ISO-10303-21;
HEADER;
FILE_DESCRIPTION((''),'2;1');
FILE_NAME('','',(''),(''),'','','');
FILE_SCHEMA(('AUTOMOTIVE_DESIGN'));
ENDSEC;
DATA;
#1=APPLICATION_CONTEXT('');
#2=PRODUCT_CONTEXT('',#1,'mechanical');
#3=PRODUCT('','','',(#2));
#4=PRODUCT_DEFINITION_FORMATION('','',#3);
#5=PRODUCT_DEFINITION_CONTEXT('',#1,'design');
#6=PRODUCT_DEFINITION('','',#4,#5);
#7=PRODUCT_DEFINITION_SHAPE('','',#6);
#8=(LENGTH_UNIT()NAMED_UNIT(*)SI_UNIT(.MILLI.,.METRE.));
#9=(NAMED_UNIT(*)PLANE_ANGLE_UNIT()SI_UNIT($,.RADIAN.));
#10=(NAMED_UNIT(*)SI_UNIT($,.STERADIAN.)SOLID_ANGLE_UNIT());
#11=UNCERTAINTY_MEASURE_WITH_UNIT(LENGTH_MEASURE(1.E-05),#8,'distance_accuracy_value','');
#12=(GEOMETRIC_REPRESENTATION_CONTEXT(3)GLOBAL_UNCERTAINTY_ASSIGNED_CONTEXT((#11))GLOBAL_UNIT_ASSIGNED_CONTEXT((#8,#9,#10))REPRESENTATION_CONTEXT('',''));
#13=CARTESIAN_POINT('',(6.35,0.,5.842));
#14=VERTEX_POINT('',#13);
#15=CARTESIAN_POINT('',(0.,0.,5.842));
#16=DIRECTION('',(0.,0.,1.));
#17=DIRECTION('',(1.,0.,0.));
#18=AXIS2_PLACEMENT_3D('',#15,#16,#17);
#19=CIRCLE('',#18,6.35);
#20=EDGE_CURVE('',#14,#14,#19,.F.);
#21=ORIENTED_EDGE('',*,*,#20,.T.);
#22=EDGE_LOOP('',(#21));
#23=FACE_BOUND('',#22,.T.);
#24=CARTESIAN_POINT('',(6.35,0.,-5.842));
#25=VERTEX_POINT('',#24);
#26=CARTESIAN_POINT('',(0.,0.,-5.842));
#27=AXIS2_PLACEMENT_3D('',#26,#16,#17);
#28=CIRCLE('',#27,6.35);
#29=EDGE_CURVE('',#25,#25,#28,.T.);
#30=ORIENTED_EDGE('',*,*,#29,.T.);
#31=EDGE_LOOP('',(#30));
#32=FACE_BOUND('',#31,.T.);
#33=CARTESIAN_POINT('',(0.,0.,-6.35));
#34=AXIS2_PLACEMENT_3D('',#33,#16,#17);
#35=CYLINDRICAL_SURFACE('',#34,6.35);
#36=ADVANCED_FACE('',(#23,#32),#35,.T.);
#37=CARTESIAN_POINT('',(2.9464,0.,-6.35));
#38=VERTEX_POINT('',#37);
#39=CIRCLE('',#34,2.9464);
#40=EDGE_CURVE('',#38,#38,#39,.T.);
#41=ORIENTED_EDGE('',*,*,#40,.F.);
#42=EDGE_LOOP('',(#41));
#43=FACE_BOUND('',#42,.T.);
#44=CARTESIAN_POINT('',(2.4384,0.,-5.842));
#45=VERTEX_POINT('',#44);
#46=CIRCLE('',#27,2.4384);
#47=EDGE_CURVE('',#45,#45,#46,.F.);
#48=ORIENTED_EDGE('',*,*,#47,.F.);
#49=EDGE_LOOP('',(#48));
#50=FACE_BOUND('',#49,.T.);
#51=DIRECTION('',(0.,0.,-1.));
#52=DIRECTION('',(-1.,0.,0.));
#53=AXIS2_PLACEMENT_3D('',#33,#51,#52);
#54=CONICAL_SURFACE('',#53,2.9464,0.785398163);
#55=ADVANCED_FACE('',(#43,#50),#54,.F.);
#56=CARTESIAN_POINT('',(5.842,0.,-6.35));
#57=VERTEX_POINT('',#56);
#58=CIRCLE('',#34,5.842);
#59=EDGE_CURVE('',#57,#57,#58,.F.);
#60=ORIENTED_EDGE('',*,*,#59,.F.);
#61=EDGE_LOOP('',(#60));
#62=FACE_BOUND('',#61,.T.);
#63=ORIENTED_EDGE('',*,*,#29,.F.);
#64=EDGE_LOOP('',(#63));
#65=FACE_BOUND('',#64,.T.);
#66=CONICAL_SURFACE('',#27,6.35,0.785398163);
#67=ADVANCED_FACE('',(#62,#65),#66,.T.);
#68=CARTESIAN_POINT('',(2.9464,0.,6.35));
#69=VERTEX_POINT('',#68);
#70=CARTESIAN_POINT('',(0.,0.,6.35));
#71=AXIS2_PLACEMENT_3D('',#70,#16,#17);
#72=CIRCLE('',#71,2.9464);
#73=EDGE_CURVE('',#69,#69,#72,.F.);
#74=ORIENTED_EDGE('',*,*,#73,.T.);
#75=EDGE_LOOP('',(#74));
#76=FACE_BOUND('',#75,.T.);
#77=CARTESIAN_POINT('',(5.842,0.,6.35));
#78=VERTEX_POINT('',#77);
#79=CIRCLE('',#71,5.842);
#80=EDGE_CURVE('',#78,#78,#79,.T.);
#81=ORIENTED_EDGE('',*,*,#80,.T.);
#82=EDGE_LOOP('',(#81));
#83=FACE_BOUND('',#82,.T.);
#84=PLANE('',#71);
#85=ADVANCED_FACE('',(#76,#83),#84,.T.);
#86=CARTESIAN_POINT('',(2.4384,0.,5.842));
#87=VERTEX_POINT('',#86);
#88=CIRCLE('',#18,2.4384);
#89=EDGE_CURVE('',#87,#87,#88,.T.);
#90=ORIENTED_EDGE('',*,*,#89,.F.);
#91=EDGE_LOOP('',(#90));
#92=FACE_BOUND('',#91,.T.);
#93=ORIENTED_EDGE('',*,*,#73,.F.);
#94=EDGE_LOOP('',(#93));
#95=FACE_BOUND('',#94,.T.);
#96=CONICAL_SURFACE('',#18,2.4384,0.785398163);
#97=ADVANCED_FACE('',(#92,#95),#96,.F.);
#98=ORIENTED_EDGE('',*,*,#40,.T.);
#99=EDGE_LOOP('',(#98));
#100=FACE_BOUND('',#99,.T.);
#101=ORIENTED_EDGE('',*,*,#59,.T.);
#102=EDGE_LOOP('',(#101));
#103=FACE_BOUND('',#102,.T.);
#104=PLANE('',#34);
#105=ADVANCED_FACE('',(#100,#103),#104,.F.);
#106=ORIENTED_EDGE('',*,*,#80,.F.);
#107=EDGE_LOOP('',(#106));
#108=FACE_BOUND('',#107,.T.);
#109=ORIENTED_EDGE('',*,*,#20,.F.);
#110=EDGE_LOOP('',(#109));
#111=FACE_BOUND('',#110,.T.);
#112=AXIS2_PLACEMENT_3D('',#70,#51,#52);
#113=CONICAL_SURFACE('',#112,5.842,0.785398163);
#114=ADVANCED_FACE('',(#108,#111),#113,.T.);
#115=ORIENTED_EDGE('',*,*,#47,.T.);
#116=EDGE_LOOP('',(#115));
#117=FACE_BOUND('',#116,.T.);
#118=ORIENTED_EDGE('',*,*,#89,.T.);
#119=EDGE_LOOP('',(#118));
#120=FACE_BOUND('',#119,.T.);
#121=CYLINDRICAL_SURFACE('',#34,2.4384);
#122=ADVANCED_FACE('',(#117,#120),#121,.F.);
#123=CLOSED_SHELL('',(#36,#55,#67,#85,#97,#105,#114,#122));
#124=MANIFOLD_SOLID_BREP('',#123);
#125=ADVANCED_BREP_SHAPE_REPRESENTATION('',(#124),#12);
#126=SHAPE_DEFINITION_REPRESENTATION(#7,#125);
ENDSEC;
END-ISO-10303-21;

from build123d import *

# Parameters (mm, degrees)
SKETCH3_R                = 6.35
SKETCH3_R_2              = 2.4384
BOSS_EXTRUDE1_DEPTH      = 6.35
BOSS_EXTRUDE1_DEPTH_BACK = 6.35
CHAMFER1_SIZE            = 0.508


with BuildPart() as part:
    # Sketch3 → Boss-Extrude1 (new body, two sides)
    with BuildSketch(Plane.XY) as boss_extrude1_sk:
        Circle(SKETCH3_R)
        Circle(SKETCH3_R_2, mode=Mode.SUBTRACT)
    extrude(amount=BOSS_EXTRUDE1_DEPTH)
    extrude(boss_extrude1_sk.sketch, amount=-BOSS_EXTRUDE1_DEPTH_BACK)

    # Chamfer1
    chamfer1_edges = [part.edges().sort_by_distance(p)[0] for p in [
        (-6.35, 0, -6.35),
        (-2.4384, 0, -6.35),
        (-6.35, 0, 6.35),
        (-2.4384, 0, 6.35),
    ]]
    chamfer(chamfer1_edges, length=CHAMFER1_SIZE)


solid = part.part
